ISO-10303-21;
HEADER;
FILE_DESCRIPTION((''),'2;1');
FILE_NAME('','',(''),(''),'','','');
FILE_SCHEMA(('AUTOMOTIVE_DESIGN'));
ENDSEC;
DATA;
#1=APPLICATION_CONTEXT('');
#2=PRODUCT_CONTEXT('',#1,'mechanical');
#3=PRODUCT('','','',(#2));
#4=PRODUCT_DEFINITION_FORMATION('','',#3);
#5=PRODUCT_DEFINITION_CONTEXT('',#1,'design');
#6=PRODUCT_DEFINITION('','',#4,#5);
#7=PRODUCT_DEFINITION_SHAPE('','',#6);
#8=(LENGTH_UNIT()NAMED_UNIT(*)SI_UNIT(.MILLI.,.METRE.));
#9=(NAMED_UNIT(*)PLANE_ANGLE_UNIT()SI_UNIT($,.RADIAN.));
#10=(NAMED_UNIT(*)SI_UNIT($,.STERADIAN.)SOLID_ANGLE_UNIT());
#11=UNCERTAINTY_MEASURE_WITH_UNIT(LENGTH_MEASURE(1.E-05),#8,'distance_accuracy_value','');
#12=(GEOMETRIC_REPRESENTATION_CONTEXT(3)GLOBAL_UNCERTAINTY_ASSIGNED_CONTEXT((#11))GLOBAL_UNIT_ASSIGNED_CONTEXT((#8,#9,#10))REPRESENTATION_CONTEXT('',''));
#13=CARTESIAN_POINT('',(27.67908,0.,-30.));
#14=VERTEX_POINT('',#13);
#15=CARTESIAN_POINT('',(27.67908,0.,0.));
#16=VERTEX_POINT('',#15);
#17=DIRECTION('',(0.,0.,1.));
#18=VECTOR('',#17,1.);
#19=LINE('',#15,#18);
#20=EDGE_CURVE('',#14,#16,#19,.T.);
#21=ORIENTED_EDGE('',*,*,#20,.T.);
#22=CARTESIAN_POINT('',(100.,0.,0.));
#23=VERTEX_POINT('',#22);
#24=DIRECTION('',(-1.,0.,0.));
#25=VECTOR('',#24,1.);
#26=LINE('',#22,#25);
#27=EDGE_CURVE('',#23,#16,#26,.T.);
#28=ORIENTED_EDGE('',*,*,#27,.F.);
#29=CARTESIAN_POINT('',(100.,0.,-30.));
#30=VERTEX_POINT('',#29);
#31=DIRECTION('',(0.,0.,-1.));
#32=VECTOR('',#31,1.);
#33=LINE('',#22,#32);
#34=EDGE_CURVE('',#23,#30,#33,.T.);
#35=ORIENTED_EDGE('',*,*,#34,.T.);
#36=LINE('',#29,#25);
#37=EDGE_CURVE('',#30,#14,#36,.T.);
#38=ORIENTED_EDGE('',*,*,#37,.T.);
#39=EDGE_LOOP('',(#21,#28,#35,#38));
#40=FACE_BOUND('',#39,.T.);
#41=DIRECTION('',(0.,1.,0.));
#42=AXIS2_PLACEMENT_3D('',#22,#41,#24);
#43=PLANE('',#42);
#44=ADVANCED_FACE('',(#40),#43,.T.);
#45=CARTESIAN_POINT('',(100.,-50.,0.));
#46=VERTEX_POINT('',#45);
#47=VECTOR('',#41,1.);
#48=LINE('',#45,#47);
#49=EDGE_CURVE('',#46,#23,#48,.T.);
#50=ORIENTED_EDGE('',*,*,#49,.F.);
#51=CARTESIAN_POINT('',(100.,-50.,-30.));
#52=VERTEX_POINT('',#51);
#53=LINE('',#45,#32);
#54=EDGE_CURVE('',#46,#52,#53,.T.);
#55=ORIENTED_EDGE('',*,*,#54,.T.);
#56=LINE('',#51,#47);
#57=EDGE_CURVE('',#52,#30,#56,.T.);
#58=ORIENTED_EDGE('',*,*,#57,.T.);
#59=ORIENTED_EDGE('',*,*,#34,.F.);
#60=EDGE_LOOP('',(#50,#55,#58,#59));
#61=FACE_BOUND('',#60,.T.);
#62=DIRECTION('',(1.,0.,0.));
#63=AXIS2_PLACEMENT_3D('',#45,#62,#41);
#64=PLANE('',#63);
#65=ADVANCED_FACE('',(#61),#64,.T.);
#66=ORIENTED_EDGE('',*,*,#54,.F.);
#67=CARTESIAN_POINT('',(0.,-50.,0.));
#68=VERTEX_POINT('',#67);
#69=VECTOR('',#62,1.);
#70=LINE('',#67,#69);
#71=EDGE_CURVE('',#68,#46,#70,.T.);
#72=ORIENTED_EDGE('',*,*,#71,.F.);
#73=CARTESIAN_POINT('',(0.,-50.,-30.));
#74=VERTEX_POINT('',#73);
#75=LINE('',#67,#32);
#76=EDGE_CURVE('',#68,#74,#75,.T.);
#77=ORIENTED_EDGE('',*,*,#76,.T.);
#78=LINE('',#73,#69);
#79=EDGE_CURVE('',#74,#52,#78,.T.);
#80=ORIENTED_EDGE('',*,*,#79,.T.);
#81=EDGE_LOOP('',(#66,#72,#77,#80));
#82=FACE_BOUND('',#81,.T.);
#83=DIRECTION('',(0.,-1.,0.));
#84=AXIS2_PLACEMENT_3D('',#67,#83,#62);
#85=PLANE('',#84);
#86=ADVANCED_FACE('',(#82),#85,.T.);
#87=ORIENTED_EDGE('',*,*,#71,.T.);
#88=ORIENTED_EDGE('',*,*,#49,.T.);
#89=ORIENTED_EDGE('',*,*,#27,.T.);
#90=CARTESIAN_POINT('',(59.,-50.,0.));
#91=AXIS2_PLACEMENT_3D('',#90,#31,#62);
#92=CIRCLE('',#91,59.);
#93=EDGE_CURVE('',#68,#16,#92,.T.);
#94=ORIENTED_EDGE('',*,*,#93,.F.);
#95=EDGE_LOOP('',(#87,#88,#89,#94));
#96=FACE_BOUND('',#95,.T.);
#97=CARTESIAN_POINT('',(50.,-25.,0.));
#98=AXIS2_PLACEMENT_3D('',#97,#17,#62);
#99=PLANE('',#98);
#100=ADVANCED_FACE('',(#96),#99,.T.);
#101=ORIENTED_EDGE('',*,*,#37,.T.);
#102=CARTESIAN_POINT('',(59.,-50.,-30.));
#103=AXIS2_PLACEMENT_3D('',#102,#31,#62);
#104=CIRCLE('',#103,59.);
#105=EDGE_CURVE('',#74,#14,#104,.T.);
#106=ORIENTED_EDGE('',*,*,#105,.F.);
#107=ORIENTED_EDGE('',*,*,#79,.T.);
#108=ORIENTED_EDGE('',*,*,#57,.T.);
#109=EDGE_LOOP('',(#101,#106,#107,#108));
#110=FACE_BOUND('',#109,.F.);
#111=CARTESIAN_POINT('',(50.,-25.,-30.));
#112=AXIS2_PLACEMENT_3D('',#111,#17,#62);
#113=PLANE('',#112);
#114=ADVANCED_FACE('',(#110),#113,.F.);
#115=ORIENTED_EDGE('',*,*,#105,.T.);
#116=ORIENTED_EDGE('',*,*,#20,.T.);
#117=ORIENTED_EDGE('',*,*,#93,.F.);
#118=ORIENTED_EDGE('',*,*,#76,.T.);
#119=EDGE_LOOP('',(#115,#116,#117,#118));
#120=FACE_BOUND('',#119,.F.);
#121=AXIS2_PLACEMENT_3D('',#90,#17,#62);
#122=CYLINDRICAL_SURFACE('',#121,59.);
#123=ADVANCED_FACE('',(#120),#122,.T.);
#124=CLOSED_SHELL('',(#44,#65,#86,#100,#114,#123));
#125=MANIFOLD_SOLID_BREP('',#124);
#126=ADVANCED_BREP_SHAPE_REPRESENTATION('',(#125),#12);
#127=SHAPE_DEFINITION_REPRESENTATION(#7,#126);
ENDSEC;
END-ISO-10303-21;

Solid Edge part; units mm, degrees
sketch "Sketch1" plane through (0, 0, 0) normal (0, 0, 1) x (1, 0, 0)
  line L0 (0, -50) -> (100, -50)
  line L1 (100, -50) -> (100, 0)
  line L2 (100, 0) -> (0, 0)
  line L3 (0, 0) -> (0, -50)
extrude "Protrusion1" add sketch "Sketch1" against normal blind 30
sketch "Sketch2" plane through (50, -25, 0) normal (0, 0, 1) x (1, 0, 0)
  arc A0 (-50, -25) -> (-22.3209, 25) centre (9, -25) cw
  line L0 (-22.3209, 25) -> (-50, 25)
  line L1 (-50, 25) -> (-50, -25)
extrude "ExtrudedCutout_1" cut sketch "Sketch2" against normal blind 30
